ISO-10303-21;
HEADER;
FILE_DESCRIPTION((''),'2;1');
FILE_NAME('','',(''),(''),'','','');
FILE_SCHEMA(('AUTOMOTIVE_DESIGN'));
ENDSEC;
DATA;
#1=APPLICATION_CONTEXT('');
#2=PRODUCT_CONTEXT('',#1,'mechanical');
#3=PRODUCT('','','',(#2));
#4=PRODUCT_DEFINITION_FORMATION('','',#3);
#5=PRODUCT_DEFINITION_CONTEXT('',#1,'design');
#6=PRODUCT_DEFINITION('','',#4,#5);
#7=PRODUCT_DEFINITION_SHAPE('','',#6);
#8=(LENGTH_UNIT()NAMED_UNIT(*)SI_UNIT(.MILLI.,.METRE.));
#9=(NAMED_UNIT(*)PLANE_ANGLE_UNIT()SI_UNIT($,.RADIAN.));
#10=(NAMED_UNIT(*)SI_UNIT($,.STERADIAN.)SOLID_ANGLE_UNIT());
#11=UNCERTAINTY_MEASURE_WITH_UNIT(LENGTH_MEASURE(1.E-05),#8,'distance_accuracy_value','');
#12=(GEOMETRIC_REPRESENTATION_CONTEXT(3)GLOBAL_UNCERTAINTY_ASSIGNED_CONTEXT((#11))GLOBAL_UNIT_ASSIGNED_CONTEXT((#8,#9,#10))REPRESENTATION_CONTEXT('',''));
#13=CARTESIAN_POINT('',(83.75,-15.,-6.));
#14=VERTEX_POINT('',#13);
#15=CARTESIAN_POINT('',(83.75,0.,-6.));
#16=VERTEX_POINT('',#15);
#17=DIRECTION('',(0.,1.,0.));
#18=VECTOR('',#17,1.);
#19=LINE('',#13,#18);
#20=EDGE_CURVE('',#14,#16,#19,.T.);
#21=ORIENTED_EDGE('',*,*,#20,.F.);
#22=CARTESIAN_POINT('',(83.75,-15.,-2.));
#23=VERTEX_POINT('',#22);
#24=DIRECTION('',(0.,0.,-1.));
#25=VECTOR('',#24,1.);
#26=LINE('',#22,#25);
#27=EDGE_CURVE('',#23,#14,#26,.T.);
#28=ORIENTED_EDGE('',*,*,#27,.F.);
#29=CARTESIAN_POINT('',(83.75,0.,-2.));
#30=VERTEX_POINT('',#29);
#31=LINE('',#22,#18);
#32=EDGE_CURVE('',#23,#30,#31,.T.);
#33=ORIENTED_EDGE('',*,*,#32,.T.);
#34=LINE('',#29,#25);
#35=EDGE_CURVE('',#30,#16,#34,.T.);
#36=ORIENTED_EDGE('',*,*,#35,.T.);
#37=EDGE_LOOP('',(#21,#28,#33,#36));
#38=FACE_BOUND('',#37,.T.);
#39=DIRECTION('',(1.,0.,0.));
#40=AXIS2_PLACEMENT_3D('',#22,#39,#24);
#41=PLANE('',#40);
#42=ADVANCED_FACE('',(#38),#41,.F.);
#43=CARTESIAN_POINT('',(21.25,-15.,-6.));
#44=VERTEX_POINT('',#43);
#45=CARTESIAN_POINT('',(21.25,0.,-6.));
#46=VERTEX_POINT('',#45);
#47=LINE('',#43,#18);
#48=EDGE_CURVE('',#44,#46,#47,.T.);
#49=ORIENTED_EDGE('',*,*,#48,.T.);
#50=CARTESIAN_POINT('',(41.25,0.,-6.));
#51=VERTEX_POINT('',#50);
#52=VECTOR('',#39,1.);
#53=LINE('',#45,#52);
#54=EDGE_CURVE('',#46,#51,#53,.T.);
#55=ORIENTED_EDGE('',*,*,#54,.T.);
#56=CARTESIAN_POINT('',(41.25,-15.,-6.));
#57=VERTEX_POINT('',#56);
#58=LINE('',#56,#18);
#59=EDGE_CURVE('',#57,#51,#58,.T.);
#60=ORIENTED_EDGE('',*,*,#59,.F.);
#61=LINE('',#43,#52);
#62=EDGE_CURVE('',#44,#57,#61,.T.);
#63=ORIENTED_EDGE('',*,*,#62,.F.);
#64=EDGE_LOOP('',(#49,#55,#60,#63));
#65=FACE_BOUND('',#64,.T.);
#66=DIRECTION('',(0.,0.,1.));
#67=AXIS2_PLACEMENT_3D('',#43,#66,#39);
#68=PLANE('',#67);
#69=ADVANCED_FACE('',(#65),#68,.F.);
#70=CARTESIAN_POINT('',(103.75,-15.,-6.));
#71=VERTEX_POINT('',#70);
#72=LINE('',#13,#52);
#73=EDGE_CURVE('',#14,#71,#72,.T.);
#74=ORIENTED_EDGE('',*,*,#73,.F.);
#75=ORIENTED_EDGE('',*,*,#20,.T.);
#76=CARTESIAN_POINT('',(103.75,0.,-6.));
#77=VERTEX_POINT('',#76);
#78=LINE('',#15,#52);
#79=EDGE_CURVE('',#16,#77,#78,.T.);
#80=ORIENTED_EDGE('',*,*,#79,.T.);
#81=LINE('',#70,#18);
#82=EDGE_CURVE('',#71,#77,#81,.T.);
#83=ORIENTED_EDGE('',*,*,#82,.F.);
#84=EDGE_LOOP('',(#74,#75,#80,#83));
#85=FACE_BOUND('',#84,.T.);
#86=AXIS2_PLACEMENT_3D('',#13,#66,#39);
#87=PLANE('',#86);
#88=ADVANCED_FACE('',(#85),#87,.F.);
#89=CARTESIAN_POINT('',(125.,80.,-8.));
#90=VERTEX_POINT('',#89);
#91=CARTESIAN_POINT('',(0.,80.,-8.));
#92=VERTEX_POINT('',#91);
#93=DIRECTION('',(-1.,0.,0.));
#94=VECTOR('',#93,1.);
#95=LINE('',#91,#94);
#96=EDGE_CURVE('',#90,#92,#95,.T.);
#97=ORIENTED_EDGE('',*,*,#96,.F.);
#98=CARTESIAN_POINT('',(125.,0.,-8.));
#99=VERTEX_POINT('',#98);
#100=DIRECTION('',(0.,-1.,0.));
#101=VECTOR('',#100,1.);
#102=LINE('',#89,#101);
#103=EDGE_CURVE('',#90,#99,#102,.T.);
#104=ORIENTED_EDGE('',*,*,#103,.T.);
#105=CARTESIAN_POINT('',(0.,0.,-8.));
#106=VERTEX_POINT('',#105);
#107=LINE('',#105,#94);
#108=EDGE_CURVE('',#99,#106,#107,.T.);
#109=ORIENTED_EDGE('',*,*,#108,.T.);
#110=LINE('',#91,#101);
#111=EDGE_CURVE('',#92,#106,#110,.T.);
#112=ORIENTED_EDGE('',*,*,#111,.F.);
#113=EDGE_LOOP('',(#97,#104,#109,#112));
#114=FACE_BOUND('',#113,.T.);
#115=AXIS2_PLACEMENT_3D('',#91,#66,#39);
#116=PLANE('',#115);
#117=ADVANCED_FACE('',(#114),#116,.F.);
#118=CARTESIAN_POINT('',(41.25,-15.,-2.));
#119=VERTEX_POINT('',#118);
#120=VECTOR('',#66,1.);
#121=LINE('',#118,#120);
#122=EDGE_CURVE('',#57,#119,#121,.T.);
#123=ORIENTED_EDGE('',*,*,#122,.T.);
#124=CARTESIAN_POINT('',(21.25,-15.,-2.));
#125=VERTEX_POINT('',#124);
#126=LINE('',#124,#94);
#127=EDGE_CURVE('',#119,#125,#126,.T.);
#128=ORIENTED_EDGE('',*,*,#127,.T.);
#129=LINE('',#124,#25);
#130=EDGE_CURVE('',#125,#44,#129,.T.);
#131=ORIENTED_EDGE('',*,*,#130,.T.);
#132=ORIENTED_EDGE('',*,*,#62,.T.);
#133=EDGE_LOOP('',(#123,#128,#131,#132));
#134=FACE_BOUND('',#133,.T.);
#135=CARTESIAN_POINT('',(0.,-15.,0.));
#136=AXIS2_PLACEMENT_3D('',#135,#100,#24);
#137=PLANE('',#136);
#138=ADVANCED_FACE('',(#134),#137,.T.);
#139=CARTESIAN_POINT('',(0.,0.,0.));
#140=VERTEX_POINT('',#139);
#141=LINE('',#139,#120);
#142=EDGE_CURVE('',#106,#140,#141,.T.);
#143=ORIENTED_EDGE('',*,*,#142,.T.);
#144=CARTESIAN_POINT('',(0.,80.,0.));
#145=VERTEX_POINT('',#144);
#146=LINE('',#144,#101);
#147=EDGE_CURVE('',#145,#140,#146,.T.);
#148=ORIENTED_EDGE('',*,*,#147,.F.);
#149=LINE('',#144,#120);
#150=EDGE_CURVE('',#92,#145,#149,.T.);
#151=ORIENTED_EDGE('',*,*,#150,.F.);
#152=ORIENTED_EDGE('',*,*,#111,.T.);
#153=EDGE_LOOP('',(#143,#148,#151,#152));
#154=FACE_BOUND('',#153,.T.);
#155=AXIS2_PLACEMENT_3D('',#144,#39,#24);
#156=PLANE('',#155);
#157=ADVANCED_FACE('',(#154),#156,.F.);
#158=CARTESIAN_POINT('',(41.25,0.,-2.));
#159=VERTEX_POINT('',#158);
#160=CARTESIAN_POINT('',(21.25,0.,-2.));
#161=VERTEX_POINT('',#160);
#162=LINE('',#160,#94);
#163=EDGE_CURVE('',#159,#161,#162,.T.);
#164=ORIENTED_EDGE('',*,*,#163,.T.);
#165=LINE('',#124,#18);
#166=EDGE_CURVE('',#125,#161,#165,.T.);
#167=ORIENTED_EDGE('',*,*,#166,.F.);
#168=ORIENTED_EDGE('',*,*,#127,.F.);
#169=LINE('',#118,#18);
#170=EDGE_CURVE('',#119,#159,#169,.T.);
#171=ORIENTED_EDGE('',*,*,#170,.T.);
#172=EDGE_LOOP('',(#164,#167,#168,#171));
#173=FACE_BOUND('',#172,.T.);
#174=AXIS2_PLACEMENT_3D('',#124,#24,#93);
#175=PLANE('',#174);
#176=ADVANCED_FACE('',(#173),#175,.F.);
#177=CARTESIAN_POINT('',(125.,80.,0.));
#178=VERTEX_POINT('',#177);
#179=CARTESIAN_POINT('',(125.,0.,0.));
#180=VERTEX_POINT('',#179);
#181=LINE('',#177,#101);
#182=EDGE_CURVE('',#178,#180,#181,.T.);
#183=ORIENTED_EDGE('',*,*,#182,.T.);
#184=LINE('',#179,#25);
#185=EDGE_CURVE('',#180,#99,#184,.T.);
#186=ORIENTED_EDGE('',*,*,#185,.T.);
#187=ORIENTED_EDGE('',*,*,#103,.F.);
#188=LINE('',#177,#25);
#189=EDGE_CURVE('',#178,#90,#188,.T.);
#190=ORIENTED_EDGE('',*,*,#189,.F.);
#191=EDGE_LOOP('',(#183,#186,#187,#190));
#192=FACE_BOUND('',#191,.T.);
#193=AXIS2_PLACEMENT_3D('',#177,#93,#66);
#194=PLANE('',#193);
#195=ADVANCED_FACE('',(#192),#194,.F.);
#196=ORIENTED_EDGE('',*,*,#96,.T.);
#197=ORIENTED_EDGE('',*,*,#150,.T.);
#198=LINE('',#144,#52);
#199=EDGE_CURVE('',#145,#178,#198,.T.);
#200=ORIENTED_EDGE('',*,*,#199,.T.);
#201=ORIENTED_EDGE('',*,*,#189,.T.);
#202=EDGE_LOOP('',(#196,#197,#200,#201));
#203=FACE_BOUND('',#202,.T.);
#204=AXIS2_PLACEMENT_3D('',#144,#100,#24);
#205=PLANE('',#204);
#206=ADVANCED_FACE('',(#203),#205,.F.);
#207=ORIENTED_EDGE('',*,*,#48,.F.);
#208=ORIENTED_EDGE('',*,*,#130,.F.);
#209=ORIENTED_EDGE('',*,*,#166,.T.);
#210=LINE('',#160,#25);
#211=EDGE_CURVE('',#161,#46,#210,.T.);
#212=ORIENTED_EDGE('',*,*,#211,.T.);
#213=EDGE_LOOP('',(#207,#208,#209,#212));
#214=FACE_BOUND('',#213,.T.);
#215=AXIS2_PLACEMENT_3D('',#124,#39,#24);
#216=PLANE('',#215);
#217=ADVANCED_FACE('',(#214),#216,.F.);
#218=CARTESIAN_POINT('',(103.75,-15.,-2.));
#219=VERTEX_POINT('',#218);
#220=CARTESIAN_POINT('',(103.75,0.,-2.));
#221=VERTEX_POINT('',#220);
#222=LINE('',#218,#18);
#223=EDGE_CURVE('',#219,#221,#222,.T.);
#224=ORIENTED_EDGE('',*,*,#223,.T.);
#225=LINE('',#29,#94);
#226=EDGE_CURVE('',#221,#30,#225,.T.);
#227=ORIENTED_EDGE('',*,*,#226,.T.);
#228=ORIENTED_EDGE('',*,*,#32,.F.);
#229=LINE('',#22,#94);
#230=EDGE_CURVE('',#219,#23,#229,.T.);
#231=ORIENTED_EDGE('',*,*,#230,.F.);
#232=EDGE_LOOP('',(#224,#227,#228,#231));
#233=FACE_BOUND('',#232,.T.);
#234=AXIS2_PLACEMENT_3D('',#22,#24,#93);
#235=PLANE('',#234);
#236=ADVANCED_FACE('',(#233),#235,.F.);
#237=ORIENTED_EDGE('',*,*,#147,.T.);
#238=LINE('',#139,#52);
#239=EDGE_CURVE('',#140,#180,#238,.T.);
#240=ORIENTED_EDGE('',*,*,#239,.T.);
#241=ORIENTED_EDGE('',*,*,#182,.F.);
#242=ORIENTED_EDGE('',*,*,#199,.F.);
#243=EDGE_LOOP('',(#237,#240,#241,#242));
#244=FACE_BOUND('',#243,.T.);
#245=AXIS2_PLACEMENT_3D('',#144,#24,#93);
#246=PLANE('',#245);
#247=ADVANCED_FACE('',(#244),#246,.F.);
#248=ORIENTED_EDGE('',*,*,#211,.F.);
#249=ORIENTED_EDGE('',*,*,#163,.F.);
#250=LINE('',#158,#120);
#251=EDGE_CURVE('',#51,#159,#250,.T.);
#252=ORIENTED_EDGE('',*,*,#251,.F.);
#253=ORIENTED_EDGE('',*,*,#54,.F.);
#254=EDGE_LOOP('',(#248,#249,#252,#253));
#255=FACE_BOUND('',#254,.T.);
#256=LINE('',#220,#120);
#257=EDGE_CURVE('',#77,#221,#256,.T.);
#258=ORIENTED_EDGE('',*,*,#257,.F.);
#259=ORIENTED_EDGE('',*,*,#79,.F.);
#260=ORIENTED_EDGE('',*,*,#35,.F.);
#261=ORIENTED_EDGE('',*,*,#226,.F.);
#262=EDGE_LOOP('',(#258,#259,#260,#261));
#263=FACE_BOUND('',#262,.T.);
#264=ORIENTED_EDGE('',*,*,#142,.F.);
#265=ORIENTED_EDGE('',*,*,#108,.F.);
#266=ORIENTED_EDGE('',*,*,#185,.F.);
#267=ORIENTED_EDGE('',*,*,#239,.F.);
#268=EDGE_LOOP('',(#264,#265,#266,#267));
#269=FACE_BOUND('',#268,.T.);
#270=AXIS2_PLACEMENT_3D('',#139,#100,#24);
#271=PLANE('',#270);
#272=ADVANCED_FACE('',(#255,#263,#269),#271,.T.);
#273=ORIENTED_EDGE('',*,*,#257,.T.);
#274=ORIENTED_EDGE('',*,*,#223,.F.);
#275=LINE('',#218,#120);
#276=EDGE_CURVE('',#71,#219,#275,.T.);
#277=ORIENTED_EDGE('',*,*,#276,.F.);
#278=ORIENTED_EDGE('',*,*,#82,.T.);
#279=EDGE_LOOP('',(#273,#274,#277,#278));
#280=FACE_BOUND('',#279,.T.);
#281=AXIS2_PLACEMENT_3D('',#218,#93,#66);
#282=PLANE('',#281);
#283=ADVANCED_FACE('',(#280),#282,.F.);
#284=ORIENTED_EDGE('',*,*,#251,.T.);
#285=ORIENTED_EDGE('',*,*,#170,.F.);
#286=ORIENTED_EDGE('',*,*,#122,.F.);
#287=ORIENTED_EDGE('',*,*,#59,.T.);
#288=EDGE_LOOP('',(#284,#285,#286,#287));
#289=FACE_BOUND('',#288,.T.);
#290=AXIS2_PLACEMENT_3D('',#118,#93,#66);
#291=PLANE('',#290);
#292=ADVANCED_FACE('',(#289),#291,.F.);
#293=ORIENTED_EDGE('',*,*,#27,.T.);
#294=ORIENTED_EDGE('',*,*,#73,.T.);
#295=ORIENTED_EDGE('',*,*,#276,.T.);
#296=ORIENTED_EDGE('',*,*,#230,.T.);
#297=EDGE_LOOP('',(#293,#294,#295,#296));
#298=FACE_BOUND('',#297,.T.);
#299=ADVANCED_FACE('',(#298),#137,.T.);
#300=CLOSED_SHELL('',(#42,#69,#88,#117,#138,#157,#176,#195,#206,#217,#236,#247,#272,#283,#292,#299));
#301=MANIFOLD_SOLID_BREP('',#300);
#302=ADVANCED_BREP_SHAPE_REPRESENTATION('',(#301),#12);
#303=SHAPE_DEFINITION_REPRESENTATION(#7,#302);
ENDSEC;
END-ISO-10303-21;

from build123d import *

# Parameters (mm, degrees)
SKETCH_1_W      = 125
SKETCH_1_H      = 8
EXTRUDE_1_DEPTH = 80
SKETCH_3_W      = 20
SKETCH_3_H      = 4
EXTRUDE_2_DEPTH = 15


with BuildPart() as part:
    # 草图1 → 凸台-拉伸1 (new body)
    with BuildSketch(Plane(origin=(0, 0, 0), x_dir=(1, 0, 0), z_dir=(0, 1, 0))):
        with Locations((62.5, 4)):
            Rectangle(SKETCH_1_W, SKETCH_1_H)
    extrude(amount=EXTRUDE_1_DEPTH)

    # 草图3 → 凸台-拉伸2 (add)
    with BuildSketch(Plane.XZ):
        with Locations((31.25, -4)):
            Rectangle(SKETCH_3_W, SKETCH_3_H)
        with Locations((93.75, -4)):
            Rectangle(SKETCH_3_W, SKETCH_3_H)
    extrude(amount=EXTRUDE_2_DEPTH)


solid = part.part
